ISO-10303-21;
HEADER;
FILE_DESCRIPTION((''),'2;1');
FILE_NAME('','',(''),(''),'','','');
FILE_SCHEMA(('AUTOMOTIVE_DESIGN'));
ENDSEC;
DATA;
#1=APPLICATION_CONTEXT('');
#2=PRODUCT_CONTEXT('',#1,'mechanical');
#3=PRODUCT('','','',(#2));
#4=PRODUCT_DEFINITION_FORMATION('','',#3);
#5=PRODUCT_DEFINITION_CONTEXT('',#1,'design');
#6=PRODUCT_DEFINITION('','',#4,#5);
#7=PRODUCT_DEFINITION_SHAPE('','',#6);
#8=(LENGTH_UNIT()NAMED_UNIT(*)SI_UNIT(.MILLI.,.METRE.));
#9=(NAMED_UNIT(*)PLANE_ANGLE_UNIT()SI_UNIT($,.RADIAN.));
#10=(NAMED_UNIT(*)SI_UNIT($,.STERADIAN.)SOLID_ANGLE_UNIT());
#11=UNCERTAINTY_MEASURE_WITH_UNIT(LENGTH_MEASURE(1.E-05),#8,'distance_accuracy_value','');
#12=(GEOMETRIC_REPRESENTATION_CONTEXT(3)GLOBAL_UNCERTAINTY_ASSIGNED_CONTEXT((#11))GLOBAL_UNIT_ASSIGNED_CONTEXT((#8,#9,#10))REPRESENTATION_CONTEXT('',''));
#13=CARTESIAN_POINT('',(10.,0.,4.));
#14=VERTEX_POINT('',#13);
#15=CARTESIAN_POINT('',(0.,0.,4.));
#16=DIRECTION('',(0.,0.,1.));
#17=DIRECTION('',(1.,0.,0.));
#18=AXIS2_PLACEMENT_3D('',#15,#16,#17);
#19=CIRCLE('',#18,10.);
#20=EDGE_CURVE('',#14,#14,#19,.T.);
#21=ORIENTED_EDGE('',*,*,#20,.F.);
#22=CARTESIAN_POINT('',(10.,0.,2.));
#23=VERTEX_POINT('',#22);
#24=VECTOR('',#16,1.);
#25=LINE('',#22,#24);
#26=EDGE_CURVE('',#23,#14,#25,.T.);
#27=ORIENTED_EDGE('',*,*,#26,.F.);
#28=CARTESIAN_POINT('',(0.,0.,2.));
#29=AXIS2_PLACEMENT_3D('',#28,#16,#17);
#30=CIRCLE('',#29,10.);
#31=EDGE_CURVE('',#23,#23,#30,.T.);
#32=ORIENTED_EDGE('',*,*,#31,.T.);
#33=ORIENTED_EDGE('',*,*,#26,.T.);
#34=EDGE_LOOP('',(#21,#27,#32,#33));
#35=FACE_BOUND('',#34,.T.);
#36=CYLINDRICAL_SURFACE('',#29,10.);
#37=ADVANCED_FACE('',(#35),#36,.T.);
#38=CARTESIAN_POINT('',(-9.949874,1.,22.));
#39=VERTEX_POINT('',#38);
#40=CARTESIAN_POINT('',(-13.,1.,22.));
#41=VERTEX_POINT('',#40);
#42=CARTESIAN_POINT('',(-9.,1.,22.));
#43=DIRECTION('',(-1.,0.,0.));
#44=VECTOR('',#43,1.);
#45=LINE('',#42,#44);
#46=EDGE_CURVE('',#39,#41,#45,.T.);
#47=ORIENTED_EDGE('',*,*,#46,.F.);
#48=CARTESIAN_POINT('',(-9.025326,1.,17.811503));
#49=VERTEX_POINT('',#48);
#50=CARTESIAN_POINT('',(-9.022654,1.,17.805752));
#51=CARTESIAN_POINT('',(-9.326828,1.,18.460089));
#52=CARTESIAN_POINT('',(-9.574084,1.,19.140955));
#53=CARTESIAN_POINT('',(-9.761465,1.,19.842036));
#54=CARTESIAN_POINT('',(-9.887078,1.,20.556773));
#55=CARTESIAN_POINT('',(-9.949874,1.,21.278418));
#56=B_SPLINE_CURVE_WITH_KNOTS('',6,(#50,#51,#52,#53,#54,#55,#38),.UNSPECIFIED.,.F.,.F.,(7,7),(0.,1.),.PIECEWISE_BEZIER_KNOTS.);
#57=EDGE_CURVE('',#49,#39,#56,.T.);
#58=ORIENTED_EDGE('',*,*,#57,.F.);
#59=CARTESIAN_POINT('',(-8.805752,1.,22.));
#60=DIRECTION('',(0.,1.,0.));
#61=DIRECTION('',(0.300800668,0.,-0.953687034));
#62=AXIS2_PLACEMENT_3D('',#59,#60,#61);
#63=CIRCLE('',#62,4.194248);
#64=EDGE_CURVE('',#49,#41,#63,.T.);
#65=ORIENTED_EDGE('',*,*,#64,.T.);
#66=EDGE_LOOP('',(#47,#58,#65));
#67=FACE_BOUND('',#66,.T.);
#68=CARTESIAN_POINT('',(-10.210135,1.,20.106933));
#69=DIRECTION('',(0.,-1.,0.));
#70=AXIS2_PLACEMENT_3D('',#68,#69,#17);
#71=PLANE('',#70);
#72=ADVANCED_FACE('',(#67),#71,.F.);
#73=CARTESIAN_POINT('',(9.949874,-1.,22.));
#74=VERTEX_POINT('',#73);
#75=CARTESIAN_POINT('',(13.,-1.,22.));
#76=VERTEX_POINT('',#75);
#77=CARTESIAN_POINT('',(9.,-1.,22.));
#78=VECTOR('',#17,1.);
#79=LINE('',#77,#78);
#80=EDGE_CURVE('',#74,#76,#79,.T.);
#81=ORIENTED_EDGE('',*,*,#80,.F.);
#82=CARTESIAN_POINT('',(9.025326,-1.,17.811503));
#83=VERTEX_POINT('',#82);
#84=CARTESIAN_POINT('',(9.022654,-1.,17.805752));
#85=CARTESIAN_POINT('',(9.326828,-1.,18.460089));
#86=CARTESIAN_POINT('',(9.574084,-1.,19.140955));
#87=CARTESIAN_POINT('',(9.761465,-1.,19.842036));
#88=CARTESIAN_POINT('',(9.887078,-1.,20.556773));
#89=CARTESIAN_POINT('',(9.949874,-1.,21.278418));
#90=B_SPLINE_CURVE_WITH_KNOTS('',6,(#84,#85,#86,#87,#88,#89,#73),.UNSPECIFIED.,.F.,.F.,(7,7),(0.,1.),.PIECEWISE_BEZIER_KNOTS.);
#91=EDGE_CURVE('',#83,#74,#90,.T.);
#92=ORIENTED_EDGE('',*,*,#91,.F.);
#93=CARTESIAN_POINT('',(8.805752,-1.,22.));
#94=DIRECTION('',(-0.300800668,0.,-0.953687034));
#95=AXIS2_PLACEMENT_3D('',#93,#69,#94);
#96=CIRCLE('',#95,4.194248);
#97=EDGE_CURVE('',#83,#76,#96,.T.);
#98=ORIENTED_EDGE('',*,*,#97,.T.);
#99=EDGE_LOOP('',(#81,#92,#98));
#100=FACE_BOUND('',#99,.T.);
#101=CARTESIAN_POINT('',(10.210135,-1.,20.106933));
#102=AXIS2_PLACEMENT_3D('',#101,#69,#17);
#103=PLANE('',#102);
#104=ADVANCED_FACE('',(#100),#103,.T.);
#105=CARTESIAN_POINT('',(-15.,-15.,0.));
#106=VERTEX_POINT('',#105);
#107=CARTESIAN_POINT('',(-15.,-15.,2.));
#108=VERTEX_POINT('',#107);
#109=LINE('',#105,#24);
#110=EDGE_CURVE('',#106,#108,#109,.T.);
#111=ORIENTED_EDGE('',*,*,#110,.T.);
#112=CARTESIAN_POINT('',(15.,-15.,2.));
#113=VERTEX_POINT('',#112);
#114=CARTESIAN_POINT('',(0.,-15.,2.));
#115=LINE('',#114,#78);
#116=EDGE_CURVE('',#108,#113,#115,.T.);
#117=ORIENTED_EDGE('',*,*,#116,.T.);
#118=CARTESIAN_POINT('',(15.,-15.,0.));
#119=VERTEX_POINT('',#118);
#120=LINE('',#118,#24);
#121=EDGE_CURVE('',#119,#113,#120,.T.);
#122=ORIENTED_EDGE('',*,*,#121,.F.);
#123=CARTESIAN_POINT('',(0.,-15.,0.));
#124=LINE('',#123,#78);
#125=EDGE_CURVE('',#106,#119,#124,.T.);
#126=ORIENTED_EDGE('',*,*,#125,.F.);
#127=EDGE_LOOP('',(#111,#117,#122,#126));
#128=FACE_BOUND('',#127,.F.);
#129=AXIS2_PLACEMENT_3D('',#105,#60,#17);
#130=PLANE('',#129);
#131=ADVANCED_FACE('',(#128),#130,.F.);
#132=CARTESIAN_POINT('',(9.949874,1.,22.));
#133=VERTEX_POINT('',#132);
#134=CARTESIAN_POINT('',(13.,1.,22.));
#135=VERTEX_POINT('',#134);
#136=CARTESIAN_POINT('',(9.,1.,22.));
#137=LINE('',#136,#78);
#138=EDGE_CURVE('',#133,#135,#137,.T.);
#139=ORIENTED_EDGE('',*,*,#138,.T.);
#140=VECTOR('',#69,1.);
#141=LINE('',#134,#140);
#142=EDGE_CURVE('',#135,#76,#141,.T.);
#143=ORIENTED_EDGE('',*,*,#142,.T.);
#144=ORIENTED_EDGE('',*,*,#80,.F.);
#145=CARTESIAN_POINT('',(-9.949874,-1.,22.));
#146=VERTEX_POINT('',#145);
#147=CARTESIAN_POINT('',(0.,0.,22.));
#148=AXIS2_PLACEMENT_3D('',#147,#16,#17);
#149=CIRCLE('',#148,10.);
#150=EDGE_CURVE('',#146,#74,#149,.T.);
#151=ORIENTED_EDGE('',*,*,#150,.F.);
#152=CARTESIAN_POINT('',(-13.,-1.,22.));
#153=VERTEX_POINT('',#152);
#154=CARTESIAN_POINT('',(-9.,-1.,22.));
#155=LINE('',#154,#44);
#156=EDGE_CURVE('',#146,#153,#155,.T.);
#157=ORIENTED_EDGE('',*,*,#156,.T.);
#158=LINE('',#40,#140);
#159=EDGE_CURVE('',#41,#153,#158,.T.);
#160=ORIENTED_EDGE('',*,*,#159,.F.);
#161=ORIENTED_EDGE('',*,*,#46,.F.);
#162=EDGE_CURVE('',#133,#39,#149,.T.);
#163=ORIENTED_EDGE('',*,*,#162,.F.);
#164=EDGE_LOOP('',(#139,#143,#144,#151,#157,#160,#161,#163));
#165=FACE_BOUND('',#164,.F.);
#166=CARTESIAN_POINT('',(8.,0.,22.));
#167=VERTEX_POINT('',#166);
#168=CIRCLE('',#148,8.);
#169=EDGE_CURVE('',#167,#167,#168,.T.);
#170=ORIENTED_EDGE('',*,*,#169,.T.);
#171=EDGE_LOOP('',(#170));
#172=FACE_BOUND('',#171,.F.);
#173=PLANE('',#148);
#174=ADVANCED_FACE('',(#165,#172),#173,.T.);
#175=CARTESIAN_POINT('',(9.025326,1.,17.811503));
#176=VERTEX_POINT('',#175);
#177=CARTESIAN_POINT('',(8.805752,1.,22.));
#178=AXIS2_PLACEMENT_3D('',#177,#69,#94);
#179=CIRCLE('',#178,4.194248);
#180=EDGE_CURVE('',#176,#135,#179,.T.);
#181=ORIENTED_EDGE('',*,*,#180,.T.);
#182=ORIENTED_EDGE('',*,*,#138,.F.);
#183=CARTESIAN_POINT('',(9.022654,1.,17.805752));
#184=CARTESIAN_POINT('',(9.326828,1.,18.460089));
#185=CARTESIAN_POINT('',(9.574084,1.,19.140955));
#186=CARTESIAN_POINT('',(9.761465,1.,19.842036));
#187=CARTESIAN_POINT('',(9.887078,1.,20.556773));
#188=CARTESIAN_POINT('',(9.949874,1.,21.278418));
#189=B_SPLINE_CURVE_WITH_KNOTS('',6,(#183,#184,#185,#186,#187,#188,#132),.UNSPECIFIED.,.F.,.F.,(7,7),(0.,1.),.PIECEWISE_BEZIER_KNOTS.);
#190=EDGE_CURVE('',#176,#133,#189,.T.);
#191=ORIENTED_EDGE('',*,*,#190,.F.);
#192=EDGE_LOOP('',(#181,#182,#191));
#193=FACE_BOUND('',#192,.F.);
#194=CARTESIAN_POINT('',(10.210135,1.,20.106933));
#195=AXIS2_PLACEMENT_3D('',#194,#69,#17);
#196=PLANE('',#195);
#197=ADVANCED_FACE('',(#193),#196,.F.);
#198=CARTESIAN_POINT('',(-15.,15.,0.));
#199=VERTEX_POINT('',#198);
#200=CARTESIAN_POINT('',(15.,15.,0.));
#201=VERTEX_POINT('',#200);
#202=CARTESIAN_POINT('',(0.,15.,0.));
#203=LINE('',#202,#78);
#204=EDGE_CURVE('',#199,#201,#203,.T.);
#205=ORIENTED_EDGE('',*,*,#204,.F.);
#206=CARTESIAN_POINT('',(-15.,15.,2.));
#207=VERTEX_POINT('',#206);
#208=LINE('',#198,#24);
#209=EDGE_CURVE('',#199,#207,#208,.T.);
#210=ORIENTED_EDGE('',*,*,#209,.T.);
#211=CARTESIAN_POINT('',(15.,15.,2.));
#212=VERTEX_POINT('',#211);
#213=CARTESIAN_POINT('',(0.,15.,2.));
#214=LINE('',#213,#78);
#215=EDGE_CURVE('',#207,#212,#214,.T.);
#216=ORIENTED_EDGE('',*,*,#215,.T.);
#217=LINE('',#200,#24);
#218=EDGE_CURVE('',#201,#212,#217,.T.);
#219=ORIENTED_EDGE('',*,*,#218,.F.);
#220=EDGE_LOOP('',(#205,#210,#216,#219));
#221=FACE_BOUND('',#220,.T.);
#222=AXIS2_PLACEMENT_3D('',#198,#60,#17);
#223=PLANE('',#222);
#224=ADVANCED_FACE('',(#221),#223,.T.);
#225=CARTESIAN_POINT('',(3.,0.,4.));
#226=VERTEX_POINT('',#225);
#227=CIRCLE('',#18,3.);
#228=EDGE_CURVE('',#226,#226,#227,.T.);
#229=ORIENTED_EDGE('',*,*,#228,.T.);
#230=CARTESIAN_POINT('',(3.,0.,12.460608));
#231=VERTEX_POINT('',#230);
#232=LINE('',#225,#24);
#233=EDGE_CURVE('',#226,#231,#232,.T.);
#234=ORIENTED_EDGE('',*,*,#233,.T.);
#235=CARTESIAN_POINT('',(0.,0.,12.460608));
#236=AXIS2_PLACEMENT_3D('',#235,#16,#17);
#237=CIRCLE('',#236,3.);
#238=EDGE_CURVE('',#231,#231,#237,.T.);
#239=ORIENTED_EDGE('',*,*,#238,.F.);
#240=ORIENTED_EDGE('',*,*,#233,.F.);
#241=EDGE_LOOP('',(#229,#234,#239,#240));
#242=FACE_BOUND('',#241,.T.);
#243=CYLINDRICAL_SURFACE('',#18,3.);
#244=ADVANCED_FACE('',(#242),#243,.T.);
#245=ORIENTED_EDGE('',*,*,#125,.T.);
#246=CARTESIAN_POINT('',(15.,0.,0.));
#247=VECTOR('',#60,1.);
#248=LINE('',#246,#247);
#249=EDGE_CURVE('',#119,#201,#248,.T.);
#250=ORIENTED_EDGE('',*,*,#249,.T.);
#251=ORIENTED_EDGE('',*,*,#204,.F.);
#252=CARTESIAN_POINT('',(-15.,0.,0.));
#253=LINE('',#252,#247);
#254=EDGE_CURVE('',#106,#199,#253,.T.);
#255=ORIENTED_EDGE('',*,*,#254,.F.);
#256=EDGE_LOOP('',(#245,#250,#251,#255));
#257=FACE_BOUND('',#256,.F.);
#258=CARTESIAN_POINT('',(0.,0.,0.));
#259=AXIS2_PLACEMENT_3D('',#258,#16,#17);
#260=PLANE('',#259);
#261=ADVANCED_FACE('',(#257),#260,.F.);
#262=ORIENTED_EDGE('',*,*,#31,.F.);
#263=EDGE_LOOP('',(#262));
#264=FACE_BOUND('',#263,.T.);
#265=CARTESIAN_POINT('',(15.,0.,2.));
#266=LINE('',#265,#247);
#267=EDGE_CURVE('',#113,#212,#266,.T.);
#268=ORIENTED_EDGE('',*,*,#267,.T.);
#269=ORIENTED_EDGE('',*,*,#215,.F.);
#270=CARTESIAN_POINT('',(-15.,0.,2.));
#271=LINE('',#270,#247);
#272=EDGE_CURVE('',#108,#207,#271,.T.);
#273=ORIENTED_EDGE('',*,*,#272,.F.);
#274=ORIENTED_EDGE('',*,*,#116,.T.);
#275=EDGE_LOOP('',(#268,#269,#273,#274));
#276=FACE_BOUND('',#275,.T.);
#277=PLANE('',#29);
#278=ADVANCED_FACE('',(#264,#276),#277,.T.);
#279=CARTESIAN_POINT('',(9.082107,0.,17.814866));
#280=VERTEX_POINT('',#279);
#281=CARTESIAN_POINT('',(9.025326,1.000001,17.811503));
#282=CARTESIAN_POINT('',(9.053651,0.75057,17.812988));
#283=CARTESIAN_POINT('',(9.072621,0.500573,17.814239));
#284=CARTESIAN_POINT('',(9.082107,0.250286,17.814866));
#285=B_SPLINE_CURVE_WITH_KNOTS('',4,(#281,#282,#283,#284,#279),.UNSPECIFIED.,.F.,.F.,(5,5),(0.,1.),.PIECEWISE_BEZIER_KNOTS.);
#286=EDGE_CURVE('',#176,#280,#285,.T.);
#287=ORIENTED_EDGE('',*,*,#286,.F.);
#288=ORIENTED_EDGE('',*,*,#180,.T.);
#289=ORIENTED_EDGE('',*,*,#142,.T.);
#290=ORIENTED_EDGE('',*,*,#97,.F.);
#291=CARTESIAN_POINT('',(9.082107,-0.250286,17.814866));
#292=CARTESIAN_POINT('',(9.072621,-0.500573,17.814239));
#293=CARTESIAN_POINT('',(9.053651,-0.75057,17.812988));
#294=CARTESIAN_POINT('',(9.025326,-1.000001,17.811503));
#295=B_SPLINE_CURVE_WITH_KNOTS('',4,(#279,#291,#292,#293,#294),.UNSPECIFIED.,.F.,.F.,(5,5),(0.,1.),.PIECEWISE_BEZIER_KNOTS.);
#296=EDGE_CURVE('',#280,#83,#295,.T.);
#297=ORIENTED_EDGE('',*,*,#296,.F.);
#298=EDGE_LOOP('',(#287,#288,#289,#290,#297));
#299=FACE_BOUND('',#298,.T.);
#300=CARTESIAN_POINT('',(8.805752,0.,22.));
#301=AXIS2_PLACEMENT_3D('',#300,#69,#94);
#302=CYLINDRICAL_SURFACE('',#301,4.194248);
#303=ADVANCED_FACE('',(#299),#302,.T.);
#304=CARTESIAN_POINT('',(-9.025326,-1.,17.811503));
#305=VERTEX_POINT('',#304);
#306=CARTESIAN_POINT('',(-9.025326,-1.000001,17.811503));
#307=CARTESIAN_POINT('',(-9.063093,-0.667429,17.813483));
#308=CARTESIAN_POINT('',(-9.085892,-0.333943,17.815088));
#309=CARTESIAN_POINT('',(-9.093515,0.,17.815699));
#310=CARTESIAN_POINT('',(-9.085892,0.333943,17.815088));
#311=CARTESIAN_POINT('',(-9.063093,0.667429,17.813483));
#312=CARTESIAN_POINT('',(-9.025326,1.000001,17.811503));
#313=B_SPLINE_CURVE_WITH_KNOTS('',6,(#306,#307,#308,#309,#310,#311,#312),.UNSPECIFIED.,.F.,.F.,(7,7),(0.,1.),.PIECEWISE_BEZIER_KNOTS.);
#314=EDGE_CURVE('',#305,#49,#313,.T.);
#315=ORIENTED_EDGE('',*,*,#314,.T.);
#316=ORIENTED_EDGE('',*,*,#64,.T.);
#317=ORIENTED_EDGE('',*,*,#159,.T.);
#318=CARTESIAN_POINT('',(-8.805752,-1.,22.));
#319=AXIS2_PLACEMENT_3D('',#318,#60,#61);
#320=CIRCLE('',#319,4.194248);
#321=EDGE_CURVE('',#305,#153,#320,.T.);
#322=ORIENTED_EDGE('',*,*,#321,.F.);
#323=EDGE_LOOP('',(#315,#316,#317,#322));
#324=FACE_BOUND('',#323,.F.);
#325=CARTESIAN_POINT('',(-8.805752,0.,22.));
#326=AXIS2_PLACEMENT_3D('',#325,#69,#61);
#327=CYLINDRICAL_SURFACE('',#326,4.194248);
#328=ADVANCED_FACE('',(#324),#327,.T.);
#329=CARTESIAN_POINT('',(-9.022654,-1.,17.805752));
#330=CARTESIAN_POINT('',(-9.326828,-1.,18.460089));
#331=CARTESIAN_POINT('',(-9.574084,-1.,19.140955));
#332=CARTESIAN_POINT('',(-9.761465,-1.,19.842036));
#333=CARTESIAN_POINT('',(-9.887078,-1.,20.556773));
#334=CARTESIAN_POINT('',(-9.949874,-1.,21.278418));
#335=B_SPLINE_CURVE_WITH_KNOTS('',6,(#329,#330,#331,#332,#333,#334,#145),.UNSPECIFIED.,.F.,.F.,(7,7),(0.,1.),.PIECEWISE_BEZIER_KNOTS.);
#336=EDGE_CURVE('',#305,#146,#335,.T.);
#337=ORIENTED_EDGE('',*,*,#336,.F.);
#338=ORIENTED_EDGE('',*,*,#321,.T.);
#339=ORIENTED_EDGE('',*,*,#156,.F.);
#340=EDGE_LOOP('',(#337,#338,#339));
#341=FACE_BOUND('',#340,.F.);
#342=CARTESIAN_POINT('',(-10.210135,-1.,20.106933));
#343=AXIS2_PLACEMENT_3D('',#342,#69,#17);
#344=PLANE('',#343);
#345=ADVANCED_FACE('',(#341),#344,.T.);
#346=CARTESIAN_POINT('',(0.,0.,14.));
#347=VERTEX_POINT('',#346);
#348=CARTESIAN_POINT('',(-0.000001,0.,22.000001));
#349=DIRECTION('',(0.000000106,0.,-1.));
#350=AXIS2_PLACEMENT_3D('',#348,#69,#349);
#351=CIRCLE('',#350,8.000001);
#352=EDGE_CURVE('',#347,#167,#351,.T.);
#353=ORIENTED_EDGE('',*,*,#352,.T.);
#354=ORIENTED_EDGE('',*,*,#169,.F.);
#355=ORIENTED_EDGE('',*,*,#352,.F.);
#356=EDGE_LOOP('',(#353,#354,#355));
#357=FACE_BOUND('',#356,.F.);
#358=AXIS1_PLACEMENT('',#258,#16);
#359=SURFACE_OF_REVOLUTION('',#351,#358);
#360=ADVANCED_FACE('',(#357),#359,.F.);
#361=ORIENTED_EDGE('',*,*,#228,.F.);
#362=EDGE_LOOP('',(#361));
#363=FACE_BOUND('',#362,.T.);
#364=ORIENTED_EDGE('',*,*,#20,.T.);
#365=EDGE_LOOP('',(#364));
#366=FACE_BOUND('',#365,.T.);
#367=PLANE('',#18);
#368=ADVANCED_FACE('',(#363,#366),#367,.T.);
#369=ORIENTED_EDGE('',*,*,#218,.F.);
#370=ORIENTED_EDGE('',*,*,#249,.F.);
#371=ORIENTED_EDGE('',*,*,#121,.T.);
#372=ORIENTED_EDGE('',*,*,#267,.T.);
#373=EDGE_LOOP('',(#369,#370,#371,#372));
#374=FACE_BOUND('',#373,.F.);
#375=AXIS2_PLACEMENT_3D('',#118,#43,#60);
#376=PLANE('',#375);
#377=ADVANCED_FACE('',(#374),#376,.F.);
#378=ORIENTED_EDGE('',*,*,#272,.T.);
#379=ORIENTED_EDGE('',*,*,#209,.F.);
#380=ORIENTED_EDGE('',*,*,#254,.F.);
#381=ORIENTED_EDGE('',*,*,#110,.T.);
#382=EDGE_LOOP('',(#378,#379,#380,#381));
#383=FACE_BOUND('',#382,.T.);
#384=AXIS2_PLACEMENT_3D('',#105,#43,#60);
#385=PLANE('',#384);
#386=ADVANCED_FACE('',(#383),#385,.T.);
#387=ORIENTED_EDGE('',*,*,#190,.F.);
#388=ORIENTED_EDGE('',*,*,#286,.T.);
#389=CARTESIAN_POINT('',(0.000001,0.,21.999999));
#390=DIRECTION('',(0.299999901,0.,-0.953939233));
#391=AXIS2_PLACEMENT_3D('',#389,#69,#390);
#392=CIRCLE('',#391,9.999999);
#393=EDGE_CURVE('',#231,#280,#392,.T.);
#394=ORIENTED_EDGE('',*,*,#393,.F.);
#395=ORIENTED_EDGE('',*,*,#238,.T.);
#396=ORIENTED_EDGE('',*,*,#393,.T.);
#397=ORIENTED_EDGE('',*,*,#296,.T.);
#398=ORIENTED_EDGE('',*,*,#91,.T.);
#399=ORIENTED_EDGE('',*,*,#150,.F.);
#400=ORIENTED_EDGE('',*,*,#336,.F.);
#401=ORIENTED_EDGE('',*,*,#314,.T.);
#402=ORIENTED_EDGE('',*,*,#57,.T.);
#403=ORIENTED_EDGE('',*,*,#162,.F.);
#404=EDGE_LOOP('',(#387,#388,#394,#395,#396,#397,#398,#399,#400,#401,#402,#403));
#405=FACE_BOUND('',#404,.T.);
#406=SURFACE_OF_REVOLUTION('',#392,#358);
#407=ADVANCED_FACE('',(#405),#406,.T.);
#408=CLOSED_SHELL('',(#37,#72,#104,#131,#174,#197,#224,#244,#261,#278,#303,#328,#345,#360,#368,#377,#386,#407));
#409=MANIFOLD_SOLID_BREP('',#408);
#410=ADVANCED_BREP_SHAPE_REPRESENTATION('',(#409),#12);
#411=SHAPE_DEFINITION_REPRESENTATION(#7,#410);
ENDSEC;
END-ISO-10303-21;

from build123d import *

# Parameters (mm, degrees)
SKETCH_W     = 30
SKETCH_H     = 30
PAD_DEPTH    = 2
PAD001_DEPTH = 1


with BuildPart() as part:
    # Sketch → Pad (new body)
    with BuildSketch(Plane.XY):
        Rectangle(SKETCH_W, SKETCH_H)
    extrude(amount=PAD_DEPTH)

    # Sketch001 → Revolution (revolve)
    with BuildSketch(Plane.XZ):
        with BuildLine():
            Line((0, 2), (10, 2))
            Line((10, 2), (10, 4))
            Line((10, 4), (3, 4))
            Line((3, 4), (3, 12.460608))
            ThreePointArc((3, 12.460608), (8.062258, 16.08392), (10, 22))
            Line((8, 22), (10, 22))
            ThreePointArc((0, 14), (5.656854, 16.343146), (8, 22))
            Line((0, 2), (0, 14))
        make_face()
    revolve(axis=Axis((0, 0, 0), (0, 0, 1)))

    # Sketch002 → Pad001 (join, symmetric)
    with BuildSketch(Plane.XZ):
        with BuildLine():
            ThreePointArc((7.544119, 18), (11.285683, 18.617448), (13, 22))
            Line((9, 22), (13, 22))
            Line((7.544119, 18), (9, 22))
        make_face()
    pad001 = extrude(amount=PAD001_DEPTH, both=True)

    # Mirrored: Pad001 across Sketch002 V_Axis
    add(pad001.mirror(Plane(origin=(0, 0, 0), x_dir=(0, -1, 0), z_dir=(1, 0, 0))))


solid = part.part
